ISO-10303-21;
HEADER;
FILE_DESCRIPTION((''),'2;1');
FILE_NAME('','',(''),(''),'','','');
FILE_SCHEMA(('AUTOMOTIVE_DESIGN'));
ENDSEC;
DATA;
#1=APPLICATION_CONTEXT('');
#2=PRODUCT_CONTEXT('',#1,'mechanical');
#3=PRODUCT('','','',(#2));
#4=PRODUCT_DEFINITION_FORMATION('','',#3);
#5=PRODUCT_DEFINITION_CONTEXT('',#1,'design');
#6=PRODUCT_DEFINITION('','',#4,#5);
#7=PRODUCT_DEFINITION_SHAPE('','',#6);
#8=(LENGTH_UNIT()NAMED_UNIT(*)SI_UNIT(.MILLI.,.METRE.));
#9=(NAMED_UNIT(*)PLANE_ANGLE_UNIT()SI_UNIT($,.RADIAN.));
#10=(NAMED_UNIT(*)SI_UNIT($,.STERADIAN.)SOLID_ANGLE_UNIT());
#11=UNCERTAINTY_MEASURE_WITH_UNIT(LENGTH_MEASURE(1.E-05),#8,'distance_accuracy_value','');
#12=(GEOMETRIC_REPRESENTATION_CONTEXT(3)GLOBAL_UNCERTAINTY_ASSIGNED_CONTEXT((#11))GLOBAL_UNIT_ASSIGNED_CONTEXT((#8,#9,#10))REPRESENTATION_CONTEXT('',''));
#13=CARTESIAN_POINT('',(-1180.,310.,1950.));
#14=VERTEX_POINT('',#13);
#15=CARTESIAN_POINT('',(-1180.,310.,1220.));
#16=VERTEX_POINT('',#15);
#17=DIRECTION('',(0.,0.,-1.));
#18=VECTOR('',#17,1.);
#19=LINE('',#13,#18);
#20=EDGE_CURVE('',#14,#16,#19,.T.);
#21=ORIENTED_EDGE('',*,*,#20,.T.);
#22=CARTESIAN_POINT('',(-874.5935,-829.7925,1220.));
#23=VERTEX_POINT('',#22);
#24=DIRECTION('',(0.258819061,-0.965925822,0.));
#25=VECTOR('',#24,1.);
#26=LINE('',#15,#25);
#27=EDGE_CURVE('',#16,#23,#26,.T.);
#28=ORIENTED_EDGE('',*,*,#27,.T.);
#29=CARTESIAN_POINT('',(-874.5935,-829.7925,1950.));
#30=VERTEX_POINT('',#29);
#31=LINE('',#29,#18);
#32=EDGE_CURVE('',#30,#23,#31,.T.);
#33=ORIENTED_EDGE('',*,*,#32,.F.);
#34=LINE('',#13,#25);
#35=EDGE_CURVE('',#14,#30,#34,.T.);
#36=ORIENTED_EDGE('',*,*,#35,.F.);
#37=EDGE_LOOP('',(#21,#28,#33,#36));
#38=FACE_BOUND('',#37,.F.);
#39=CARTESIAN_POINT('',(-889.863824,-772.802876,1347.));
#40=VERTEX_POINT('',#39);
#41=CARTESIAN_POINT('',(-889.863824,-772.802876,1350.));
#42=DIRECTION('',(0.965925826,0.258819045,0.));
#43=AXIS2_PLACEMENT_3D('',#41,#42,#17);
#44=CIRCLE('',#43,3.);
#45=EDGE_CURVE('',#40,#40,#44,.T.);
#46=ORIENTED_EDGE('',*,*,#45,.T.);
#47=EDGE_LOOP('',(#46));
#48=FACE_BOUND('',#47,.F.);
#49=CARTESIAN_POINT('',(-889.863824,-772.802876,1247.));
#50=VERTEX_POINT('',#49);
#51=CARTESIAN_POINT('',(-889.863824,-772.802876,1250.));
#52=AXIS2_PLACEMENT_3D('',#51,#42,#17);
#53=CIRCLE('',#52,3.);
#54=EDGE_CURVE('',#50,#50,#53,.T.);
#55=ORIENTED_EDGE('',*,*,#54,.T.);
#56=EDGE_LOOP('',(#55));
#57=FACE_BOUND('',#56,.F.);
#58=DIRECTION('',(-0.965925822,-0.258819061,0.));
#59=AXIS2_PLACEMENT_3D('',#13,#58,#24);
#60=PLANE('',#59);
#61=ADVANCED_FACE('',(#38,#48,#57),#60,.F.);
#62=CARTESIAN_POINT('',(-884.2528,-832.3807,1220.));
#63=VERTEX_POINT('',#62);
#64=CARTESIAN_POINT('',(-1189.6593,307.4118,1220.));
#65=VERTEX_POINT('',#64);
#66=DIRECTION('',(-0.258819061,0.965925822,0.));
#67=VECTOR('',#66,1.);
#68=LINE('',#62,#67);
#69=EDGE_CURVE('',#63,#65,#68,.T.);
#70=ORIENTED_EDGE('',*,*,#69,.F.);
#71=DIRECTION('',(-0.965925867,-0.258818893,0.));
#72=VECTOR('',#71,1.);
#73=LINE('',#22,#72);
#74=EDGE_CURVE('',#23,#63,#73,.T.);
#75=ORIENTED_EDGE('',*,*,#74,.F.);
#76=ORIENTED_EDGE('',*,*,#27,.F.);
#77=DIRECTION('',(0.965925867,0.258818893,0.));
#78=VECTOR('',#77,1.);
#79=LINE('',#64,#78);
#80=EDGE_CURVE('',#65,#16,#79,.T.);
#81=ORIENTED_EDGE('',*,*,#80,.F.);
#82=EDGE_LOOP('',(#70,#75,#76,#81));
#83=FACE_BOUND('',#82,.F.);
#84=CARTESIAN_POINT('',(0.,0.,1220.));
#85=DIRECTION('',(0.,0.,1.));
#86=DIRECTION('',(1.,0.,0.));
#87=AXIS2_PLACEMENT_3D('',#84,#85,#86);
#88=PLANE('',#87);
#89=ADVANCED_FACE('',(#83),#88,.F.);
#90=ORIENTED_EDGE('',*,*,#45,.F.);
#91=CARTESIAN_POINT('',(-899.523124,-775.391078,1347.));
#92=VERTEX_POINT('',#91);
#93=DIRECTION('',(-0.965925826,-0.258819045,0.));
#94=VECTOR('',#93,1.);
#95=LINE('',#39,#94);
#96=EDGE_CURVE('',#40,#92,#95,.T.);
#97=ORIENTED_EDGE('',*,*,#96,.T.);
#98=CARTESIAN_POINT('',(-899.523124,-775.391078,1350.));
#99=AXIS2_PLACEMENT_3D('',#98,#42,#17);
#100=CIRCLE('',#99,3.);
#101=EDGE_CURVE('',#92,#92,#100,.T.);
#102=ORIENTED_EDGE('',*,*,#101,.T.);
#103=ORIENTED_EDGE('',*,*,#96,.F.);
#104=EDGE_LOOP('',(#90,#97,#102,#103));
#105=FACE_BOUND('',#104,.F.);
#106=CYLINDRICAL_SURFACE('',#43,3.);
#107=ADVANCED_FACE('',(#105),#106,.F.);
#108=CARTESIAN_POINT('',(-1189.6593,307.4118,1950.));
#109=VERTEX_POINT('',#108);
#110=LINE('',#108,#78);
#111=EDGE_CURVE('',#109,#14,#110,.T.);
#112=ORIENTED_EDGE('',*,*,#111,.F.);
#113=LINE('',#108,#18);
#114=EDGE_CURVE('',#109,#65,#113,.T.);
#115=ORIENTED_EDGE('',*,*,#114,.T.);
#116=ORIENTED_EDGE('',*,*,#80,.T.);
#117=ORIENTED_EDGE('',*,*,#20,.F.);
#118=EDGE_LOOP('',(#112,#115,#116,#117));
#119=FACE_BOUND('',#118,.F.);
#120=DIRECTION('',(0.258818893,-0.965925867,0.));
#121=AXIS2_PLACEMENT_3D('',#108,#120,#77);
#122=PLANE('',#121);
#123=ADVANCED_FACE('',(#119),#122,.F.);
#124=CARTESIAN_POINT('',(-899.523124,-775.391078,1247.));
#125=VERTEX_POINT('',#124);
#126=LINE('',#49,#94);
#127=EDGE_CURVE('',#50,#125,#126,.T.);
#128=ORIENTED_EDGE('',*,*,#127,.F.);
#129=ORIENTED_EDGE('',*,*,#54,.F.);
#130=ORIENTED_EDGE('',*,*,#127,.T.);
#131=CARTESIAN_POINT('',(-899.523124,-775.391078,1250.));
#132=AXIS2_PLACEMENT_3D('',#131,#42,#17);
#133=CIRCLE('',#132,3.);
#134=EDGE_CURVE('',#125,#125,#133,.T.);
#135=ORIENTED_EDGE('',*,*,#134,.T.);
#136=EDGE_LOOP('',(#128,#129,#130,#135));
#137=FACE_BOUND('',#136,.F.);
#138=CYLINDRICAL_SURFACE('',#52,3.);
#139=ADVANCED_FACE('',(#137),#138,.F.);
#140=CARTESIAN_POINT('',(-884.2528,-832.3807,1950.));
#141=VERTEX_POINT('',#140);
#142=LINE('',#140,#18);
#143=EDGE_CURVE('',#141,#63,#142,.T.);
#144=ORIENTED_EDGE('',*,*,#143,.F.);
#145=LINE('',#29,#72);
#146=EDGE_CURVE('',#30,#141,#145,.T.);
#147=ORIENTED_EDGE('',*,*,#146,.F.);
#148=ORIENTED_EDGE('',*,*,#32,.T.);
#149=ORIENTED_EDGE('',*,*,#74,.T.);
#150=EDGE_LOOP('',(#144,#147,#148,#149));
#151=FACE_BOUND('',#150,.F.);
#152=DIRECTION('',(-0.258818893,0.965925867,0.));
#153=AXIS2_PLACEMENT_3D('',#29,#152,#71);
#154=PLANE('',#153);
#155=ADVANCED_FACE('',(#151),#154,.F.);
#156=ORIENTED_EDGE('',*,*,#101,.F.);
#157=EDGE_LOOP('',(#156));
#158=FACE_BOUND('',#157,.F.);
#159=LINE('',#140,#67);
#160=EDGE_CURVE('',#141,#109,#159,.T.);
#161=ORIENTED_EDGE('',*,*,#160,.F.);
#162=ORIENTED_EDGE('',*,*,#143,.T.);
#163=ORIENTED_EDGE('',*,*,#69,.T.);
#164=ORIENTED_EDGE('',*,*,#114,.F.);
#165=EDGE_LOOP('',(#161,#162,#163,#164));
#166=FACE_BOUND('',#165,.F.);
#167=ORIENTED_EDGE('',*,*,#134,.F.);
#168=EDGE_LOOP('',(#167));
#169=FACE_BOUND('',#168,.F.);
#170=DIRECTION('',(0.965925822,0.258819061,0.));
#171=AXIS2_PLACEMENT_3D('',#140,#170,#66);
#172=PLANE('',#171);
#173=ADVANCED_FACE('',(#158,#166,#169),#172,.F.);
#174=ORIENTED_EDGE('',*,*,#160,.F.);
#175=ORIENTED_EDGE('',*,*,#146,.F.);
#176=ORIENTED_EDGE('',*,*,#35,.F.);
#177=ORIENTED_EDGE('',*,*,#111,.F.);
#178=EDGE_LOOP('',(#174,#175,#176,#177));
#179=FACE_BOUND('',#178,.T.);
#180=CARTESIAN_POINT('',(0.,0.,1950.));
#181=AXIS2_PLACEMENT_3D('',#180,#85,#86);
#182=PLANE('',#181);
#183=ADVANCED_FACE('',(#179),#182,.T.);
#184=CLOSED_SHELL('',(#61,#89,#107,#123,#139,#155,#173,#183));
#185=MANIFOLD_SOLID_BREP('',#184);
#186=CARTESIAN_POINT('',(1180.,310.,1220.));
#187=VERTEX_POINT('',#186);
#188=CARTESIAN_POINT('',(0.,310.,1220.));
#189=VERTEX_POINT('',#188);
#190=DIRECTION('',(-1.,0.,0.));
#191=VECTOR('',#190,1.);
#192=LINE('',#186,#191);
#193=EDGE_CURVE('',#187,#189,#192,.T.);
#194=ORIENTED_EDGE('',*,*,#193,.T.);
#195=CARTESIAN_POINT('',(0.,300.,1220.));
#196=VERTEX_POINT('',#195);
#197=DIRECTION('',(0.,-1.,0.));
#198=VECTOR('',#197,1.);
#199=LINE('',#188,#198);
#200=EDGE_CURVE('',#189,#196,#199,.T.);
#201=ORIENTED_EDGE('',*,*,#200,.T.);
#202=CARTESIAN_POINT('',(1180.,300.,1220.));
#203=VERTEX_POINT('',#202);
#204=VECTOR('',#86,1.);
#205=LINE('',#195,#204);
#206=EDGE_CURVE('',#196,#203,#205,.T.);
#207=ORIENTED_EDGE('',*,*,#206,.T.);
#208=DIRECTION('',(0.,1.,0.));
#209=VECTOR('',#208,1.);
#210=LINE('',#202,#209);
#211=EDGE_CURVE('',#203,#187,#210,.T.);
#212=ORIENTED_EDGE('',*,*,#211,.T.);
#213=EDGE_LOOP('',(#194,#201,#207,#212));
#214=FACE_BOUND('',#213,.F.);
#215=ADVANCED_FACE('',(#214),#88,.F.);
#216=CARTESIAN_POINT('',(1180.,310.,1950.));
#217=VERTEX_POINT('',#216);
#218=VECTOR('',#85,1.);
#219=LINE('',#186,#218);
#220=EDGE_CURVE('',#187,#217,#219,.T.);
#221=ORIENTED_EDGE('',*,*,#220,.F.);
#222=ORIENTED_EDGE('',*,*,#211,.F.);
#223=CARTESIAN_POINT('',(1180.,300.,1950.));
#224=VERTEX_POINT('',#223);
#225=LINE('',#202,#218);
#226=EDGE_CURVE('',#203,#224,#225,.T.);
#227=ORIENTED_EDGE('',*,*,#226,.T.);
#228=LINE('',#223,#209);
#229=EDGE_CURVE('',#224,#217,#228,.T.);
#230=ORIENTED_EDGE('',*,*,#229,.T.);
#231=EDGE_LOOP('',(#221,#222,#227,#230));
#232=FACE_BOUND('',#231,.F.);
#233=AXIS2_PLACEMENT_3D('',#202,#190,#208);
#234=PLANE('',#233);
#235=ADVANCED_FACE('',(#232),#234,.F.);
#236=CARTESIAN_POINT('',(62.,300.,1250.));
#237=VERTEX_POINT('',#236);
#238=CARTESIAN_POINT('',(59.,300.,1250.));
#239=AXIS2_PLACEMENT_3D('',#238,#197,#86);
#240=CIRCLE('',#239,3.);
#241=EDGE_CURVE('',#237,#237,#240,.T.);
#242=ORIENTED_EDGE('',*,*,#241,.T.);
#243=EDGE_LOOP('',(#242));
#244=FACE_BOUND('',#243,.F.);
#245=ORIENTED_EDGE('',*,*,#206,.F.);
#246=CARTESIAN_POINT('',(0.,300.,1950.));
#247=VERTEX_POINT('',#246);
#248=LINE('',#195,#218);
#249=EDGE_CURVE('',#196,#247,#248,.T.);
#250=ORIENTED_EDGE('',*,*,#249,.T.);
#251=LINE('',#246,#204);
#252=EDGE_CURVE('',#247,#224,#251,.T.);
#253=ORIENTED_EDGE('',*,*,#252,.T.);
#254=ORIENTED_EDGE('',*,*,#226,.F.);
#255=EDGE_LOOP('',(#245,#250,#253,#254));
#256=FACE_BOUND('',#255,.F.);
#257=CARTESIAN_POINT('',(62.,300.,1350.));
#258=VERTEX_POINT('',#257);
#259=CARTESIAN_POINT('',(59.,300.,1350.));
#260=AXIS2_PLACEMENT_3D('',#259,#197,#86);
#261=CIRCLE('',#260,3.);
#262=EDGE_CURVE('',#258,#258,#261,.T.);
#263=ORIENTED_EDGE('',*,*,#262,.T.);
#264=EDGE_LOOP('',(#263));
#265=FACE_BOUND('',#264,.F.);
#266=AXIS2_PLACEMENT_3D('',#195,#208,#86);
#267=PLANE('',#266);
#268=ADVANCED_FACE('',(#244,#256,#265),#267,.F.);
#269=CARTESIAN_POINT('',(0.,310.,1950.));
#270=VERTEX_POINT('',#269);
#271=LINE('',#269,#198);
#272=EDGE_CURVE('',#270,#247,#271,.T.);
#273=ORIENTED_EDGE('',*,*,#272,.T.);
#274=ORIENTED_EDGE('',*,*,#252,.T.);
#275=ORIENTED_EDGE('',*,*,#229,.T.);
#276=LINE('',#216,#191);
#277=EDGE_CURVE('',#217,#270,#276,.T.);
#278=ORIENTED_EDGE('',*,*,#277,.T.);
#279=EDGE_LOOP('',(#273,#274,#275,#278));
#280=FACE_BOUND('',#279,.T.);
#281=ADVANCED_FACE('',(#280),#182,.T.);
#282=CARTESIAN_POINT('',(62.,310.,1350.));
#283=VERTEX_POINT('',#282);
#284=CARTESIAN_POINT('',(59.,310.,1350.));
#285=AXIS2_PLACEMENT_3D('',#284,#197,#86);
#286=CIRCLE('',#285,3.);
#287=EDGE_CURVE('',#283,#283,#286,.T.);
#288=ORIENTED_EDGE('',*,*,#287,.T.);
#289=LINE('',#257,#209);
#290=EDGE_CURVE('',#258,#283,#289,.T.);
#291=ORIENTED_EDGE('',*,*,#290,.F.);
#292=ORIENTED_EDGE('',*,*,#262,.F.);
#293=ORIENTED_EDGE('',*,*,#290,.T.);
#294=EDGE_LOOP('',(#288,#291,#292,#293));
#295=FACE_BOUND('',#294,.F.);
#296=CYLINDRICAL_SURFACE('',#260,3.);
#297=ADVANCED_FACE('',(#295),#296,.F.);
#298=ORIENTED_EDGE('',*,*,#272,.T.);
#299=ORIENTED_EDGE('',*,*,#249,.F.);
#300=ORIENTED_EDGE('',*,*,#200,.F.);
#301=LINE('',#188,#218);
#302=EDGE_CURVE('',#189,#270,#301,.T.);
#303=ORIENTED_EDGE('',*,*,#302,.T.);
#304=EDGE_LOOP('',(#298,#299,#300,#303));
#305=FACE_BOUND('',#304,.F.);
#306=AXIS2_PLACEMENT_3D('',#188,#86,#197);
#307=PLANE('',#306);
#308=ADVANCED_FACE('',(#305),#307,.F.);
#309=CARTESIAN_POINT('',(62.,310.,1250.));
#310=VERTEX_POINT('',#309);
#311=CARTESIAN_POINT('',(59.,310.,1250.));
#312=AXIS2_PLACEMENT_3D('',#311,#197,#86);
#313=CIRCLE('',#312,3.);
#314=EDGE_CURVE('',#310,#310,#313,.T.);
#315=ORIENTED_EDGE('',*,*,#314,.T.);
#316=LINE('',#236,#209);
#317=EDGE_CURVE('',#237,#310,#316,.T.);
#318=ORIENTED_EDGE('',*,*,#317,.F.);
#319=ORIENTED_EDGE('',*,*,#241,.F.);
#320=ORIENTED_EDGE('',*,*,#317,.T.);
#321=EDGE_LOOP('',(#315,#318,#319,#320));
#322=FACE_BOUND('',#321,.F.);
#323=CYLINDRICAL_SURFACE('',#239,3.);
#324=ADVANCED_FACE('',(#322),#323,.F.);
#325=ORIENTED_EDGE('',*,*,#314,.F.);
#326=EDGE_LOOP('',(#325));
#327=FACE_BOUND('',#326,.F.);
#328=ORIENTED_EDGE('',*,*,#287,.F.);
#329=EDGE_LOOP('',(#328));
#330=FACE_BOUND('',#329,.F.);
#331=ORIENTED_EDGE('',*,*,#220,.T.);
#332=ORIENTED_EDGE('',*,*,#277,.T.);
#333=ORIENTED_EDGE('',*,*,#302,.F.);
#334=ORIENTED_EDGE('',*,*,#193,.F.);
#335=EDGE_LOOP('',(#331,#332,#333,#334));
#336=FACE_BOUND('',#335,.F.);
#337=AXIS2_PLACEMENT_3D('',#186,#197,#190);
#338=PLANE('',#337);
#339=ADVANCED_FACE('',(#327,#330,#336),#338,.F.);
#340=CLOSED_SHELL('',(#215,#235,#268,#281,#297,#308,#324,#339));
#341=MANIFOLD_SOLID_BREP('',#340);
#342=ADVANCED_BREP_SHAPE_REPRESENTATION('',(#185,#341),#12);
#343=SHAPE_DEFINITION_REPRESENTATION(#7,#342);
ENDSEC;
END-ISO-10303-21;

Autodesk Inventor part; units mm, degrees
ref_plane "YZ Plane" through (0, 0, 0) normal (1, 0, 0) x (0, 1, 0)
ref_plane "XZ Plane" through (0, 0, 0) normal (0, 1, 0) x (-1, 0, 0)
ref_plane "Plano de trabajo4" through (0, 0, 1220) normal (0, 0, 1) x (1, 0, 0)
sketch "Boceto8" plane through (0, 0, 1220) normal (0, 0, 1) x (1, 0, 0)
  line L0 (480, 0) -> (0, 0) projected
  line L1 (480, 0) -> (480, 10) projected
  line L2 (0, 10) -> (480, 10) projected
  line L3 (0, 0) -> (0, 10) projected
  line L4 (480, 10) -> (0, 10) projected
  line L5 (0, 10) -> (0, 300)
  line L6 (0, 300) -> (1180, 300)
  line L7 (1180, 300) -> (1180, 310)
  line L8 (1180, 310) -> (0, 310)
  line L9 (0, 310) -> (0, 300)
  point P0 (0, 0)
  dimension "d38" = 290
  dimension "d39" = 1180
  dimension "d40" = 10
extrude "Extrusión8" add sketch "Boceto8" along normal blind 730 contours L9 L8 L7 L6
sketch "Boceto9" plane through (0, 300, 1220) normal (0, -1, 0) x (1, 0, 0)
  line L0 (0, 0) -> (1180, 0) construction
  line L1 (1180, 0) -> (1180, 730) construction
  line L2 (0, 730) -> (1180, 730) construction
  line L3 (0, 0) -> (0, 730) construction
  line L4 (0, 80) -> (1180, 80) construction
  line L5 (0, 0) -> (1180, 0) construction
  line L6 (59, 0) -> (59, 730) construction
  line L7 (0, 730) -> (1180, 730) construction
  circle A0 centre (59, 30) radius 3
  circle A1 centre (59, 130) radius 3
  point P0 (0, -1220)
  dimension "d43" = 59
  dimension "d44" = 80
  dimension "d45" = 6
  dimension "d46" = 50
extrude "Extrusión9" cut sketch "Boceto9" against normal up to next
sketch "Boceto10" plane through (0, 0, 1950) normal (0, 0, 1) x (1, 0, 0)
  line L0 (1180, 310) -> (0, 310) projected
  line L1 (0, 310) -> (-1180, 310)
  line L2 (-1180, 310) -> (-874.5935, -829.7925)
  line L3 (-874.5935, -829.7925) -> (-884.2528, -832.3807)
  line L4 (-884.2528, -832.3807) -> (-1189.6593, 307.4118)
  line L5 (-1189.6593, 307.4118) -> (-1180, 310)
  point P0 (0, 0)
  dimension "d49" = 1180
  dimension "d50" = 1180
  dimension "angulo" = 75
  dimension "d52" = 10
  dimension "d53" = 1180
extrude "Extrusión10" add sketch "Boceto10" against normal blind 730
sketch "Boceto11" plane through (-874.5935, -829.7925, 1950) normal (0.9659, 0.2588, 0) x (0, 0, -1)
  line L0 (0, 1180) -> (0, 0) construction
  line L1 (0, 0) -> (730, 0) construction
  line L2 (730, 1180) -> (730, 0) construction
  line L3 (0, 1180) -> (730, 1180) construction
  line L4 (0, 1180) -> (0, 0) construction
  line L5 (0, 59) -> (730, 59) construction
  line L6 (0, 0) -> (730, 0) construction
  line L7 (650, 0) -> (650, 1180) construction
  line L8 (0, 1180) -> (730, 1180) construction
  circle A0 centre (700, 59) radius 3
  circle A1 centre (600, 59) radius 3
  point P0 (1950, 575.1565)
  dimension "d56" = 59
  dimension "d57" = 80
  dimension "d58" = 6
  dimension "d59" = 50
extrude "Extrusión11" cut sketch "Boceto11" against normal up to next
equation "\"d39\" = ancho_m"
equation "\"d40\" = espesor"
equation "\"d43\" = 0.05 * ancho_m"
equation "\"d49\" = ancho_m"
equation "\"d50\" = ancho_m"
equation "\"d52\" = espesor"
equation "\"d53\" = ancho_m"
equation "\"d54\" = h_sup"
equation "\"d56\" = 0.05 * ancho_m"
equation "\"d60\" = h_sup"
equation "\"ancho_m\" = 1180"
equation "\"espesor\" = 10"
equation "\"h_sup\" = 730"
properties part number "puerta"
